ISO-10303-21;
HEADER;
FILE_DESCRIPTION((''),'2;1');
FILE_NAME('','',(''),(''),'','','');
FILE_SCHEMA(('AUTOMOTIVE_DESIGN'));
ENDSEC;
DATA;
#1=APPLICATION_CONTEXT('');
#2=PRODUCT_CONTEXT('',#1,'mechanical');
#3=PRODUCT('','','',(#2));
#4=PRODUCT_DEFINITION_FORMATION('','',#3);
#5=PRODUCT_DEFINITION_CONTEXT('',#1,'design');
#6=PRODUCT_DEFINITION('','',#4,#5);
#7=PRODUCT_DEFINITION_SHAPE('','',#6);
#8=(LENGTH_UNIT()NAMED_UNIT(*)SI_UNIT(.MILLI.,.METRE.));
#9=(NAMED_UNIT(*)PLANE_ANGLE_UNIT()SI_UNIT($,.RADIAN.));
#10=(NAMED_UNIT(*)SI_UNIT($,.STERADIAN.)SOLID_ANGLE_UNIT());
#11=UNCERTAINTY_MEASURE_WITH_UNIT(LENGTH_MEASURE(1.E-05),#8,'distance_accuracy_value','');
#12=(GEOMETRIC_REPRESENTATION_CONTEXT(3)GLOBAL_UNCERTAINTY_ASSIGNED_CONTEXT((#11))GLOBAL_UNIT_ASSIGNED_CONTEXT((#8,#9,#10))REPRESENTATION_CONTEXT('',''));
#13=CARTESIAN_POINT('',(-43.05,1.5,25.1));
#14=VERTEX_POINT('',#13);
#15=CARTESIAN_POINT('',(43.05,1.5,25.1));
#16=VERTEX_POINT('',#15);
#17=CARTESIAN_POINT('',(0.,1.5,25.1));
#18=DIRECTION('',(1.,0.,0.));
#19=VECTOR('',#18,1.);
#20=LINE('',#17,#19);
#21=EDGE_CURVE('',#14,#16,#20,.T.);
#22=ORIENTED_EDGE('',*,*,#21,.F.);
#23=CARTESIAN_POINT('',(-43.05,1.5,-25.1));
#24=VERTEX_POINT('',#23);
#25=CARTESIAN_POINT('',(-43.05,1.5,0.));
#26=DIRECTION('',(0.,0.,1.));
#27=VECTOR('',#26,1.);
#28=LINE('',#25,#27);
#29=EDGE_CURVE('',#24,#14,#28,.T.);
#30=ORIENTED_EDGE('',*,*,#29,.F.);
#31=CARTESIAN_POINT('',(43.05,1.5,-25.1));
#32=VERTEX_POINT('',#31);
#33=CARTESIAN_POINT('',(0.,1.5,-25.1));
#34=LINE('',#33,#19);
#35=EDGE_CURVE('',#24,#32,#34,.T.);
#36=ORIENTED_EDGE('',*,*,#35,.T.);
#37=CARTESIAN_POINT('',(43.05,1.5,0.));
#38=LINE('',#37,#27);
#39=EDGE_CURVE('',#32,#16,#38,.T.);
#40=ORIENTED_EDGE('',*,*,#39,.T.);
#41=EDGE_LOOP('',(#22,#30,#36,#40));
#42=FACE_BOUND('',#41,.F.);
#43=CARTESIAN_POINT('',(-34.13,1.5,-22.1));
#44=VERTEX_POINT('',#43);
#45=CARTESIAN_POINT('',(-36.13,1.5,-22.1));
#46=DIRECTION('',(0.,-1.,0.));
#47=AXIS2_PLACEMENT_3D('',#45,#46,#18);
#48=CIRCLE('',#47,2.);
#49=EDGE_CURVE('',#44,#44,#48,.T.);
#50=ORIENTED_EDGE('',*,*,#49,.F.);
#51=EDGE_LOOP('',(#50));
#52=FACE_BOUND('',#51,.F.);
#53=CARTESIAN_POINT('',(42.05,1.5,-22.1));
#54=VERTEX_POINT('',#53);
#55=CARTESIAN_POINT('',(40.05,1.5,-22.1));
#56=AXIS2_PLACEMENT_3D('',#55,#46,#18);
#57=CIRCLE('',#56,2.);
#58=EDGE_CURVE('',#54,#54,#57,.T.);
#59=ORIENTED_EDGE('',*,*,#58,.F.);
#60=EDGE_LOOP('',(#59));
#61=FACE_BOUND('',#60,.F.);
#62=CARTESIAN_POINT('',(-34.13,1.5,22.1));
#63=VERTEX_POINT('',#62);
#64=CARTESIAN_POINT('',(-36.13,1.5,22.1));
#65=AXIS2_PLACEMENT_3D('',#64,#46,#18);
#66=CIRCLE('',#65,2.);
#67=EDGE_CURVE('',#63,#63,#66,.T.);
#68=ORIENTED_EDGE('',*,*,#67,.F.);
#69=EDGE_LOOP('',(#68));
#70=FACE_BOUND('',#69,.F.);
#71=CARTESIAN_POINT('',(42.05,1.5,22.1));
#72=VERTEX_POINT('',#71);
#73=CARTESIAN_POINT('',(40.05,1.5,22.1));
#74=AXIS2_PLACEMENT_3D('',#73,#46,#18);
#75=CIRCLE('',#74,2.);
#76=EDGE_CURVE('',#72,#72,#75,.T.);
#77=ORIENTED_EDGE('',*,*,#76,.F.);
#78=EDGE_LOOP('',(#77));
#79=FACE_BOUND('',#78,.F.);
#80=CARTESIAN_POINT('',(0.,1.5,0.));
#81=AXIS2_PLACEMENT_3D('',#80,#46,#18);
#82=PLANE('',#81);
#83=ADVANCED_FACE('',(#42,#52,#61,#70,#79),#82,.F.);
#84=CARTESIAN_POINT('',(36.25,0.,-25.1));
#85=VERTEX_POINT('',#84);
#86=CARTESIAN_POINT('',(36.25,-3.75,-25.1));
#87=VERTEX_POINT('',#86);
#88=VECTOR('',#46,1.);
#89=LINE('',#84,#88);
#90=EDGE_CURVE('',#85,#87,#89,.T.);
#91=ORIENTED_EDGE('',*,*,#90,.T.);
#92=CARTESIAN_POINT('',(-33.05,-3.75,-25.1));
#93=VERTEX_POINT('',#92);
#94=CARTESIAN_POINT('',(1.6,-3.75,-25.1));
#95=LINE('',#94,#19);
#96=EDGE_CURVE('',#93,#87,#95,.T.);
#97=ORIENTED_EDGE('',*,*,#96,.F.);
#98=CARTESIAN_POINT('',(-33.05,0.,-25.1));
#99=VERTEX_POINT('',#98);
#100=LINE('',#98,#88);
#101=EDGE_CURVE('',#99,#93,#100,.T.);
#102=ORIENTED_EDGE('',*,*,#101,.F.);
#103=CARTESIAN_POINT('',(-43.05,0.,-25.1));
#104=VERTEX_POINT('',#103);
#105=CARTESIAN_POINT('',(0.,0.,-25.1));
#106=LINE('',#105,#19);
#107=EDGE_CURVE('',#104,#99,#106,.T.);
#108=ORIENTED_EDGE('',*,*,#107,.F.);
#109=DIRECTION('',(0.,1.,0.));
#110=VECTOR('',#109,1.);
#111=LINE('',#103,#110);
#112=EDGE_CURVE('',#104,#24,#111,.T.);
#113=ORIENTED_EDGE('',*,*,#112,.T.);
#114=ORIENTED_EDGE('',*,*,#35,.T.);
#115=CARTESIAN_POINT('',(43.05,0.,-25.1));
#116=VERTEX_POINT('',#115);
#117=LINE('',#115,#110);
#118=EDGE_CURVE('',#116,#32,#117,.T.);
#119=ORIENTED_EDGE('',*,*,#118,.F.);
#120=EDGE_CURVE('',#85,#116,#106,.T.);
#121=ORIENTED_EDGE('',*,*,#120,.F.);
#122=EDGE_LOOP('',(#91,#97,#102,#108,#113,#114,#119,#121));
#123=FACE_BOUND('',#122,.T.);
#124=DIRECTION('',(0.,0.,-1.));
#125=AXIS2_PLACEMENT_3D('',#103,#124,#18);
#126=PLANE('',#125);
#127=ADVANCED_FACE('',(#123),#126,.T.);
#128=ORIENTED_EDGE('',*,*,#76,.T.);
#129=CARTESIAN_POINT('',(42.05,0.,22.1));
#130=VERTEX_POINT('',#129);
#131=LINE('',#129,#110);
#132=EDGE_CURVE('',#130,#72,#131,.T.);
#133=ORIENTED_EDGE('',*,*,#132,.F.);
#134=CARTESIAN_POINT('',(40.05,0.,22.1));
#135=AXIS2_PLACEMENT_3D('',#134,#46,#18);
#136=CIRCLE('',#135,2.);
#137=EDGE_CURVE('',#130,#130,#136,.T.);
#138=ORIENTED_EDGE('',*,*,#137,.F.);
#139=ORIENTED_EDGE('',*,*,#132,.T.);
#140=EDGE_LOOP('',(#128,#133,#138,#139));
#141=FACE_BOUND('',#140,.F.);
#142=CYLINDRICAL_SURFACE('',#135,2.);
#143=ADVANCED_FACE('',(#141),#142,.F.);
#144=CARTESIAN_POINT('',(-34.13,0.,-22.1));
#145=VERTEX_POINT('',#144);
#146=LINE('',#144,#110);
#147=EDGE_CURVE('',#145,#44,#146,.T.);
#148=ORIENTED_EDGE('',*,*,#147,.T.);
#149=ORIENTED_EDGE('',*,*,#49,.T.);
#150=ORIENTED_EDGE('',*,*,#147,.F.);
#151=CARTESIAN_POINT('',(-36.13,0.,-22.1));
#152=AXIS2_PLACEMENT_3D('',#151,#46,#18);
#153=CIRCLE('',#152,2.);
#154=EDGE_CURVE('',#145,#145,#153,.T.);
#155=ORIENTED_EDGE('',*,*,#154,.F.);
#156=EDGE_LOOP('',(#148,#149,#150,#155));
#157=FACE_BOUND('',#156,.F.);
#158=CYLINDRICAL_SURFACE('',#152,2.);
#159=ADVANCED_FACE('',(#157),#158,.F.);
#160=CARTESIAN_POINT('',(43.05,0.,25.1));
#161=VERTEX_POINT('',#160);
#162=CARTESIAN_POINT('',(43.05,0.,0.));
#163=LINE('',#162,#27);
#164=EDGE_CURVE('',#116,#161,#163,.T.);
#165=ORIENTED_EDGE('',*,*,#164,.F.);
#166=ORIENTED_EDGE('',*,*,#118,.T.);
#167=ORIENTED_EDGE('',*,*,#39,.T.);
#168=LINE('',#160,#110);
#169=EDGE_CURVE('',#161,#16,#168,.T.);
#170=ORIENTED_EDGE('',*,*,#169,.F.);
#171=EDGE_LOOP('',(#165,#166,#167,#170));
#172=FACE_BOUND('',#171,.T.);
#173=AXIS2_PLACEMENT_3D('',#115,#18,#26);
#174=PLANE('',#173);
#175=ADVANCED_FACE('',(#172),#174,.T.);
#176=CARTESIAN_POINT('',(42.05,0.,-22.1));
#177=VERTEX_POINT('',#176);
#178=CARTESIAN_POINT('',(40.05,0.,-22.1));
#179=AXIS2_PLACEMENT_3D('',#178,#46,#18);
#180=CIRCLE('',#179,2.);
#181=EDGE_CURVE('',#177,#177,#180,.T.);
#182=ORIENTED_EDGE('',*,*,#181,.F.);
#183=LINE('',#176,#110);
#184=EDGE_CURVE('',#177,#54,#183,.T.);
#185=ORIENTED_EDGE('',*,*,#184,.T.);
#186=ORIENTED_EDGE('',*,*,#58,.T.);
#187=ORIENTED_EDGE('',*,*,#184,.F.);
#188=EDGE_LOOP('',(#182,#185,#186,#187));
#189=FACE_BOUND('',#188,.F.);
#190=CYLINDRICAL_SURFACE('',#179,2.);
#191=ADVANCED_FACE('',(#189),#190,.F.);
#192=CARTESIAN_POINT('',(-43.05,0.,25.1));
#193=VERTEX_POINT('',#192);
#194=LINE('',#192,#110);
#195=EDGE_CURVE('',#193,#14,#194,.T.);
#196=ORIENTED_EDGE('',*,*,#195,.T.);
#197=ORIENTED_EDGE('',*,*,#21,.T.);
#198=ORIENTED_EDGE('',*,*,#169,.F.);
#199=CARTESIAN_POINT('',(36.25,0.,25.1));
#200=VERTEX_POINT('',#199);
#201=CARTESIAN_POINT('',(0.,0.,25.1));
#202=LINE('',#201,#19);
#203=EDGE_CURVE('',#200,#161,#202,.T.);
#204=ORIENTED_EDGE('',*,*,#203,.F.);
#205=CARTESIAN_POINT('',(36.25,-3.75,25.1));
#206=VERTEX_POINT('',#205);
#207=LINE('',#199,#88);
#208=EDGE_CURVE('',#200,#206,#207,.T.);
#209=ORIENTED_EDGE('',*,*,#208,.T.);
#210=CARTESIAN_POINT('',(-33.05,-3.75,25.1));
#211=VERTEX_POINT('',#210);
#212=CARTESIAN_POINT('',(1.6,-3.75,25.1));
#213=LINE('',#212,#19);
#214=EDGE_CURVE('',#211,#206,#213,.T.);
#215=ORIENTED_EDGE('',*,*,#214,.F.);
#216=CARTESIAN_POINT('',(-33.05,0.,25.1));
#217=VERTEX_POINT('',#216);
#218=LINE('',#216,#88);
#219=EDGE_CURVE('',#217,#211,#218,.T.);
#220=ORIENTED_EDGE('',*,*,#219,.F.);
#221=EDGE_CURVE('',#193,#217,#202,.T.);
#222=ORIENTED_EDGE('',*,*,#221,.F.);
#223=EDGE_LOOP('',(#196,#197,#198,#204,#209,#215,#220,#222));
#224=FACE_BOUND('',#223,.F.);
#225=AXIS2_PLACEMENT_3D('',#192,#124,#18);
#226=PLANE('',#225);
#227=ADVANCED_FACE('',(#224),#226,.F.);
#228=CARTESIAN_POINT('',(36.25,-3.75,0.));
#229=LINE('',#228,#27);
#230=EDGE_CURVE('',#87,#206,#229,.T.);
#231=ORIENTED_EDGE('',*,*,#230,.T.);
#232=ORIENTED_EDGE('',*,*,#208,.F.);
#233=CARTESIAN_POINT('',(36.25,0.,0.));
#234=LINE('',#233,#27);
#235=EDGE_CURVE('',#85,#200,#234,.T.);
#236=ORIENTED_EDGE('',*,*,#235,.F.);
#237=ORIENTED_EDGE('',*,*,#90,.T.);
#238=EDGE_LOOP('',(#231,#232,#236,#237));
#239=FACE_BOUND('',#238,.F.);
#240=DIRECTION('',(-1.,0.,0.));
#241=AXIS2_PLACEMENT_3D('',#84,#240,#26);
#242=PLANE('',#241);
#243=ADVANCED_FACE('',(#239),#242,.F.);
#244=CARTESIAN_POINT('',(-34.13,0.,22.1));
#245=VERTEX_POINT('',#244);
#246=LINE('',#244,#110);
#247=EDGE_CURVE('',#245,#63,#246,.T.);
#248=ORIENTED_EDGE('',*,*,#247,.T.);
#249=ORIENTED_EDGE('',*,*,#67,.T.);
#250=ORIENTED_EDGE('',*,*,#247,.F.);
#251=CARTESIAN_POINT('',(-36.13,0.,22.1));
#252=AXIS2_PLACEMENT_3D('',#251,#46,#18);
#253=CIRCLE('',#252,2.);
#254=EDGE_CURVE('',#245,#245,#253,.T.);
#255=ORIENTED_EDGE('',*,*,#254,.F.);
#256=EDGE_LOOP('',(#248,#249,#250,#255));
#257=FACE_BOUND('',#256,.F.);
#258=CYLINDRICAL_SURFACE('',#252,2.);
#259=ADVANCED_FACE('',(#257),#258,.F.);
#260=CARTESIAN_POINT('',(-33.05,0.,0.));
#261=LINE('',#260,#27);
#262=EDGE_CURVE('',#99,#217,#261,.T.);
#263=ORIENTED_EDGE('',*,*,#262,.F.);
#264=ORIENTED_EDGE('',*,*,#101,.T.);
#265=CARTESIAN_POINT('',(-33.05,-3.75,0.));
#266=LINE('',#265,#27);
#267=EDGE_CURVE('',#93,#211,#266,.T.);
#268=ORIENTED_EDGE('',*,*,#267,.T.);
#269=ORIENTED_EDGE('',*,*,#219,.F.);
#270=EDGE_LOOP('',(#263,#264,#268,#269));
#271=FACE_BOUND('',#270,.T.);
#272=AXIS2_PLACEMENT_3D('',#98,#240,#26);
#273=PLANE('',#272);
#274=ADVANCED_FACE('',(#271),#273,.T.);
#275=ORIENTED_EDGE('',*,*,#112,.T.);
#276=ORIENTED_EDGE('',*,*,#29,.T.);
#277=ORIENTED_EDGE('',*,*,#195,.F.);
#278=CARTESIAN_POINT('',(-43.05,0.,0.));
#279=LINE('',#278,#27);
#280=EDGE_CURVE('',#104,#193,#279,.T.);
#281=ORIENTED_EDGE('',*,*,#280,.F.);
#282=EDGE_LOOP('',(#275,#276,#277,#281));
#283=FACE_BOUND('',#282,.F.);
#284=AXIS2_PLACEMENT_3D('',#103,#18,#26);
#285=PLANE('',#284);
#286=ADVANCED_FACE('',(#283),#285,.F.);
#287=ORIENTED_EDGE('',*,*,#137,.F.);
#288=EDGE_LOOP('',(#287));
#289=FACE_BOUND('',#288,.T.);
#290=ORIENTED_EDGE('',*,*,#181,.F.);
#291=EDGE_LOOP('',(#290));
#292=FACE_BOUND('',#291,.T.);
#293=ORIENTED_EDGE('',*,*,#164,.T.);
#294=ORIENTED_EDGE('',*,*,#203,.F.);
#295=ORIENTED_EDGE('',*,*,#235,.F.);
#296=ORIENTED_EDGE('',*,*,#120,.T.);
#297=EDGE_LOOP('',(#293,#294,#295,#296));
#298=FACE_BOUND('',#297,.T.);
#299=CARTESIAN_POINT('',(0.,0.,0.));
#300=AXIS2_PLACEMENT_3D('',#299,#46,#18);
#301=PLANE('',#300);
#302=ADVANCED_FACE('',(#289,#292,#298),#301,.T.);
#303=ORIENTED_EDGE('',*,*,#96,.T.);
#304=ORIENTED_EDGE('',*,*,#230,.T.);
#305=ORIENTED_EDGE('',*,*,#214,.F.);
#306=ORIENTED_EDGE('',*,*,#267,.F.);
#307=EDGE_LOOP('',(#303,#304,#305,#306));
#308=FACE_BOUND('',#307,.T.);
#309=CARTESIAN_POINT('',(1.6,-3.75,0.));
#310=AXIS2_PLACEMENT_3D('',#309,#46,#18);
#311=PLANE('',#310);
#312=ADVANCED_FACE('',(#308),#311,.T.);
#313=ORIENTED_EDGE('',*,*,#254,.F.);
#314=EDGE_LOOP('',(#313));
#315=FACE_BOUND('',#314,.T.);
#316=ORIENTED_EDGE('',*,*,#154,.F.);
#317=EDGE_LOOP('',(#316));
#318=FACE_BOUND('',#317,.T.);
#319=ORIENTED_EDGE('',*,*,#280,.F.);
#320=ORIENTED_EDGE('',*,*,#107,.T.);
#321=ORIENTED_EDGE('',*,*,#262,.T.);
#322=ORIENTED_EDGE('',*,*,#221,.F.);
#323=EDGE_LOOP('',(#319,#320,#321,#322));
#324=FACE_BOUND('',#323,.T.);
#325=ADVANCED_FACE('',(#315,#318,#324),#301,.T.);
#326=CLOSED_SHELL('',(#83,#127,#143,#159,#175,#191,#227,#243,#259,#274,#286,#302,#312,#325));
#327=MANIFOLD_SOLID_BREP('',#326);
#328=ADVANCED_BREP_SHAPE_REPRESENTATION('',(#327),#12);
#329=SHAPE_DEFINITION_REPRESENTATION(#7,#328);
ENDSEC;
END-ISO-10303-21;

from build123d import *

# Parameters (mm, degrees)
F0_W     = 86.1
F0_H     = 50.2
F1_DEPTH = 1.5
F2_W     = 69.3
F2_H     = 50.2
F3_DEPTH = 3.75
F4_R     = 2
F5_DEPTH = 1.501


with BuildPart() as f1:
    # F0 (on Front) → F1 (new body)
    with BuildSketch(Plane.XZ):
        Rectangle(F0_W, F0_H)
    extrude(amount=-F1_DEPTH)

    # F2 (on Front) → F3 (join)
    with BuildSketch(Plane.XZ):
        with Locations((1.6, 0)):
            Rectangle(F2_W, F2_H)
    extrude(amount=F3_DEPTH)

    # F4 (on Front) → F5 (cut, through all)
    with BuildSketch(Plane.XZ):
        with Locations((-36.13, 22.1)):
            Circle(F4_R)
        with Locations((-36.13, -22.1)):
            Circle(F4_R)
        with Locations((40.05, 22.1)):
            Circle(F4_R)
        with Locations((40.05, -22.1)):
            Circle(F4_R)
    extrude(amount=-F5_DEPTH, mode=Mode.SUBTRACT)


solid = f1.part
